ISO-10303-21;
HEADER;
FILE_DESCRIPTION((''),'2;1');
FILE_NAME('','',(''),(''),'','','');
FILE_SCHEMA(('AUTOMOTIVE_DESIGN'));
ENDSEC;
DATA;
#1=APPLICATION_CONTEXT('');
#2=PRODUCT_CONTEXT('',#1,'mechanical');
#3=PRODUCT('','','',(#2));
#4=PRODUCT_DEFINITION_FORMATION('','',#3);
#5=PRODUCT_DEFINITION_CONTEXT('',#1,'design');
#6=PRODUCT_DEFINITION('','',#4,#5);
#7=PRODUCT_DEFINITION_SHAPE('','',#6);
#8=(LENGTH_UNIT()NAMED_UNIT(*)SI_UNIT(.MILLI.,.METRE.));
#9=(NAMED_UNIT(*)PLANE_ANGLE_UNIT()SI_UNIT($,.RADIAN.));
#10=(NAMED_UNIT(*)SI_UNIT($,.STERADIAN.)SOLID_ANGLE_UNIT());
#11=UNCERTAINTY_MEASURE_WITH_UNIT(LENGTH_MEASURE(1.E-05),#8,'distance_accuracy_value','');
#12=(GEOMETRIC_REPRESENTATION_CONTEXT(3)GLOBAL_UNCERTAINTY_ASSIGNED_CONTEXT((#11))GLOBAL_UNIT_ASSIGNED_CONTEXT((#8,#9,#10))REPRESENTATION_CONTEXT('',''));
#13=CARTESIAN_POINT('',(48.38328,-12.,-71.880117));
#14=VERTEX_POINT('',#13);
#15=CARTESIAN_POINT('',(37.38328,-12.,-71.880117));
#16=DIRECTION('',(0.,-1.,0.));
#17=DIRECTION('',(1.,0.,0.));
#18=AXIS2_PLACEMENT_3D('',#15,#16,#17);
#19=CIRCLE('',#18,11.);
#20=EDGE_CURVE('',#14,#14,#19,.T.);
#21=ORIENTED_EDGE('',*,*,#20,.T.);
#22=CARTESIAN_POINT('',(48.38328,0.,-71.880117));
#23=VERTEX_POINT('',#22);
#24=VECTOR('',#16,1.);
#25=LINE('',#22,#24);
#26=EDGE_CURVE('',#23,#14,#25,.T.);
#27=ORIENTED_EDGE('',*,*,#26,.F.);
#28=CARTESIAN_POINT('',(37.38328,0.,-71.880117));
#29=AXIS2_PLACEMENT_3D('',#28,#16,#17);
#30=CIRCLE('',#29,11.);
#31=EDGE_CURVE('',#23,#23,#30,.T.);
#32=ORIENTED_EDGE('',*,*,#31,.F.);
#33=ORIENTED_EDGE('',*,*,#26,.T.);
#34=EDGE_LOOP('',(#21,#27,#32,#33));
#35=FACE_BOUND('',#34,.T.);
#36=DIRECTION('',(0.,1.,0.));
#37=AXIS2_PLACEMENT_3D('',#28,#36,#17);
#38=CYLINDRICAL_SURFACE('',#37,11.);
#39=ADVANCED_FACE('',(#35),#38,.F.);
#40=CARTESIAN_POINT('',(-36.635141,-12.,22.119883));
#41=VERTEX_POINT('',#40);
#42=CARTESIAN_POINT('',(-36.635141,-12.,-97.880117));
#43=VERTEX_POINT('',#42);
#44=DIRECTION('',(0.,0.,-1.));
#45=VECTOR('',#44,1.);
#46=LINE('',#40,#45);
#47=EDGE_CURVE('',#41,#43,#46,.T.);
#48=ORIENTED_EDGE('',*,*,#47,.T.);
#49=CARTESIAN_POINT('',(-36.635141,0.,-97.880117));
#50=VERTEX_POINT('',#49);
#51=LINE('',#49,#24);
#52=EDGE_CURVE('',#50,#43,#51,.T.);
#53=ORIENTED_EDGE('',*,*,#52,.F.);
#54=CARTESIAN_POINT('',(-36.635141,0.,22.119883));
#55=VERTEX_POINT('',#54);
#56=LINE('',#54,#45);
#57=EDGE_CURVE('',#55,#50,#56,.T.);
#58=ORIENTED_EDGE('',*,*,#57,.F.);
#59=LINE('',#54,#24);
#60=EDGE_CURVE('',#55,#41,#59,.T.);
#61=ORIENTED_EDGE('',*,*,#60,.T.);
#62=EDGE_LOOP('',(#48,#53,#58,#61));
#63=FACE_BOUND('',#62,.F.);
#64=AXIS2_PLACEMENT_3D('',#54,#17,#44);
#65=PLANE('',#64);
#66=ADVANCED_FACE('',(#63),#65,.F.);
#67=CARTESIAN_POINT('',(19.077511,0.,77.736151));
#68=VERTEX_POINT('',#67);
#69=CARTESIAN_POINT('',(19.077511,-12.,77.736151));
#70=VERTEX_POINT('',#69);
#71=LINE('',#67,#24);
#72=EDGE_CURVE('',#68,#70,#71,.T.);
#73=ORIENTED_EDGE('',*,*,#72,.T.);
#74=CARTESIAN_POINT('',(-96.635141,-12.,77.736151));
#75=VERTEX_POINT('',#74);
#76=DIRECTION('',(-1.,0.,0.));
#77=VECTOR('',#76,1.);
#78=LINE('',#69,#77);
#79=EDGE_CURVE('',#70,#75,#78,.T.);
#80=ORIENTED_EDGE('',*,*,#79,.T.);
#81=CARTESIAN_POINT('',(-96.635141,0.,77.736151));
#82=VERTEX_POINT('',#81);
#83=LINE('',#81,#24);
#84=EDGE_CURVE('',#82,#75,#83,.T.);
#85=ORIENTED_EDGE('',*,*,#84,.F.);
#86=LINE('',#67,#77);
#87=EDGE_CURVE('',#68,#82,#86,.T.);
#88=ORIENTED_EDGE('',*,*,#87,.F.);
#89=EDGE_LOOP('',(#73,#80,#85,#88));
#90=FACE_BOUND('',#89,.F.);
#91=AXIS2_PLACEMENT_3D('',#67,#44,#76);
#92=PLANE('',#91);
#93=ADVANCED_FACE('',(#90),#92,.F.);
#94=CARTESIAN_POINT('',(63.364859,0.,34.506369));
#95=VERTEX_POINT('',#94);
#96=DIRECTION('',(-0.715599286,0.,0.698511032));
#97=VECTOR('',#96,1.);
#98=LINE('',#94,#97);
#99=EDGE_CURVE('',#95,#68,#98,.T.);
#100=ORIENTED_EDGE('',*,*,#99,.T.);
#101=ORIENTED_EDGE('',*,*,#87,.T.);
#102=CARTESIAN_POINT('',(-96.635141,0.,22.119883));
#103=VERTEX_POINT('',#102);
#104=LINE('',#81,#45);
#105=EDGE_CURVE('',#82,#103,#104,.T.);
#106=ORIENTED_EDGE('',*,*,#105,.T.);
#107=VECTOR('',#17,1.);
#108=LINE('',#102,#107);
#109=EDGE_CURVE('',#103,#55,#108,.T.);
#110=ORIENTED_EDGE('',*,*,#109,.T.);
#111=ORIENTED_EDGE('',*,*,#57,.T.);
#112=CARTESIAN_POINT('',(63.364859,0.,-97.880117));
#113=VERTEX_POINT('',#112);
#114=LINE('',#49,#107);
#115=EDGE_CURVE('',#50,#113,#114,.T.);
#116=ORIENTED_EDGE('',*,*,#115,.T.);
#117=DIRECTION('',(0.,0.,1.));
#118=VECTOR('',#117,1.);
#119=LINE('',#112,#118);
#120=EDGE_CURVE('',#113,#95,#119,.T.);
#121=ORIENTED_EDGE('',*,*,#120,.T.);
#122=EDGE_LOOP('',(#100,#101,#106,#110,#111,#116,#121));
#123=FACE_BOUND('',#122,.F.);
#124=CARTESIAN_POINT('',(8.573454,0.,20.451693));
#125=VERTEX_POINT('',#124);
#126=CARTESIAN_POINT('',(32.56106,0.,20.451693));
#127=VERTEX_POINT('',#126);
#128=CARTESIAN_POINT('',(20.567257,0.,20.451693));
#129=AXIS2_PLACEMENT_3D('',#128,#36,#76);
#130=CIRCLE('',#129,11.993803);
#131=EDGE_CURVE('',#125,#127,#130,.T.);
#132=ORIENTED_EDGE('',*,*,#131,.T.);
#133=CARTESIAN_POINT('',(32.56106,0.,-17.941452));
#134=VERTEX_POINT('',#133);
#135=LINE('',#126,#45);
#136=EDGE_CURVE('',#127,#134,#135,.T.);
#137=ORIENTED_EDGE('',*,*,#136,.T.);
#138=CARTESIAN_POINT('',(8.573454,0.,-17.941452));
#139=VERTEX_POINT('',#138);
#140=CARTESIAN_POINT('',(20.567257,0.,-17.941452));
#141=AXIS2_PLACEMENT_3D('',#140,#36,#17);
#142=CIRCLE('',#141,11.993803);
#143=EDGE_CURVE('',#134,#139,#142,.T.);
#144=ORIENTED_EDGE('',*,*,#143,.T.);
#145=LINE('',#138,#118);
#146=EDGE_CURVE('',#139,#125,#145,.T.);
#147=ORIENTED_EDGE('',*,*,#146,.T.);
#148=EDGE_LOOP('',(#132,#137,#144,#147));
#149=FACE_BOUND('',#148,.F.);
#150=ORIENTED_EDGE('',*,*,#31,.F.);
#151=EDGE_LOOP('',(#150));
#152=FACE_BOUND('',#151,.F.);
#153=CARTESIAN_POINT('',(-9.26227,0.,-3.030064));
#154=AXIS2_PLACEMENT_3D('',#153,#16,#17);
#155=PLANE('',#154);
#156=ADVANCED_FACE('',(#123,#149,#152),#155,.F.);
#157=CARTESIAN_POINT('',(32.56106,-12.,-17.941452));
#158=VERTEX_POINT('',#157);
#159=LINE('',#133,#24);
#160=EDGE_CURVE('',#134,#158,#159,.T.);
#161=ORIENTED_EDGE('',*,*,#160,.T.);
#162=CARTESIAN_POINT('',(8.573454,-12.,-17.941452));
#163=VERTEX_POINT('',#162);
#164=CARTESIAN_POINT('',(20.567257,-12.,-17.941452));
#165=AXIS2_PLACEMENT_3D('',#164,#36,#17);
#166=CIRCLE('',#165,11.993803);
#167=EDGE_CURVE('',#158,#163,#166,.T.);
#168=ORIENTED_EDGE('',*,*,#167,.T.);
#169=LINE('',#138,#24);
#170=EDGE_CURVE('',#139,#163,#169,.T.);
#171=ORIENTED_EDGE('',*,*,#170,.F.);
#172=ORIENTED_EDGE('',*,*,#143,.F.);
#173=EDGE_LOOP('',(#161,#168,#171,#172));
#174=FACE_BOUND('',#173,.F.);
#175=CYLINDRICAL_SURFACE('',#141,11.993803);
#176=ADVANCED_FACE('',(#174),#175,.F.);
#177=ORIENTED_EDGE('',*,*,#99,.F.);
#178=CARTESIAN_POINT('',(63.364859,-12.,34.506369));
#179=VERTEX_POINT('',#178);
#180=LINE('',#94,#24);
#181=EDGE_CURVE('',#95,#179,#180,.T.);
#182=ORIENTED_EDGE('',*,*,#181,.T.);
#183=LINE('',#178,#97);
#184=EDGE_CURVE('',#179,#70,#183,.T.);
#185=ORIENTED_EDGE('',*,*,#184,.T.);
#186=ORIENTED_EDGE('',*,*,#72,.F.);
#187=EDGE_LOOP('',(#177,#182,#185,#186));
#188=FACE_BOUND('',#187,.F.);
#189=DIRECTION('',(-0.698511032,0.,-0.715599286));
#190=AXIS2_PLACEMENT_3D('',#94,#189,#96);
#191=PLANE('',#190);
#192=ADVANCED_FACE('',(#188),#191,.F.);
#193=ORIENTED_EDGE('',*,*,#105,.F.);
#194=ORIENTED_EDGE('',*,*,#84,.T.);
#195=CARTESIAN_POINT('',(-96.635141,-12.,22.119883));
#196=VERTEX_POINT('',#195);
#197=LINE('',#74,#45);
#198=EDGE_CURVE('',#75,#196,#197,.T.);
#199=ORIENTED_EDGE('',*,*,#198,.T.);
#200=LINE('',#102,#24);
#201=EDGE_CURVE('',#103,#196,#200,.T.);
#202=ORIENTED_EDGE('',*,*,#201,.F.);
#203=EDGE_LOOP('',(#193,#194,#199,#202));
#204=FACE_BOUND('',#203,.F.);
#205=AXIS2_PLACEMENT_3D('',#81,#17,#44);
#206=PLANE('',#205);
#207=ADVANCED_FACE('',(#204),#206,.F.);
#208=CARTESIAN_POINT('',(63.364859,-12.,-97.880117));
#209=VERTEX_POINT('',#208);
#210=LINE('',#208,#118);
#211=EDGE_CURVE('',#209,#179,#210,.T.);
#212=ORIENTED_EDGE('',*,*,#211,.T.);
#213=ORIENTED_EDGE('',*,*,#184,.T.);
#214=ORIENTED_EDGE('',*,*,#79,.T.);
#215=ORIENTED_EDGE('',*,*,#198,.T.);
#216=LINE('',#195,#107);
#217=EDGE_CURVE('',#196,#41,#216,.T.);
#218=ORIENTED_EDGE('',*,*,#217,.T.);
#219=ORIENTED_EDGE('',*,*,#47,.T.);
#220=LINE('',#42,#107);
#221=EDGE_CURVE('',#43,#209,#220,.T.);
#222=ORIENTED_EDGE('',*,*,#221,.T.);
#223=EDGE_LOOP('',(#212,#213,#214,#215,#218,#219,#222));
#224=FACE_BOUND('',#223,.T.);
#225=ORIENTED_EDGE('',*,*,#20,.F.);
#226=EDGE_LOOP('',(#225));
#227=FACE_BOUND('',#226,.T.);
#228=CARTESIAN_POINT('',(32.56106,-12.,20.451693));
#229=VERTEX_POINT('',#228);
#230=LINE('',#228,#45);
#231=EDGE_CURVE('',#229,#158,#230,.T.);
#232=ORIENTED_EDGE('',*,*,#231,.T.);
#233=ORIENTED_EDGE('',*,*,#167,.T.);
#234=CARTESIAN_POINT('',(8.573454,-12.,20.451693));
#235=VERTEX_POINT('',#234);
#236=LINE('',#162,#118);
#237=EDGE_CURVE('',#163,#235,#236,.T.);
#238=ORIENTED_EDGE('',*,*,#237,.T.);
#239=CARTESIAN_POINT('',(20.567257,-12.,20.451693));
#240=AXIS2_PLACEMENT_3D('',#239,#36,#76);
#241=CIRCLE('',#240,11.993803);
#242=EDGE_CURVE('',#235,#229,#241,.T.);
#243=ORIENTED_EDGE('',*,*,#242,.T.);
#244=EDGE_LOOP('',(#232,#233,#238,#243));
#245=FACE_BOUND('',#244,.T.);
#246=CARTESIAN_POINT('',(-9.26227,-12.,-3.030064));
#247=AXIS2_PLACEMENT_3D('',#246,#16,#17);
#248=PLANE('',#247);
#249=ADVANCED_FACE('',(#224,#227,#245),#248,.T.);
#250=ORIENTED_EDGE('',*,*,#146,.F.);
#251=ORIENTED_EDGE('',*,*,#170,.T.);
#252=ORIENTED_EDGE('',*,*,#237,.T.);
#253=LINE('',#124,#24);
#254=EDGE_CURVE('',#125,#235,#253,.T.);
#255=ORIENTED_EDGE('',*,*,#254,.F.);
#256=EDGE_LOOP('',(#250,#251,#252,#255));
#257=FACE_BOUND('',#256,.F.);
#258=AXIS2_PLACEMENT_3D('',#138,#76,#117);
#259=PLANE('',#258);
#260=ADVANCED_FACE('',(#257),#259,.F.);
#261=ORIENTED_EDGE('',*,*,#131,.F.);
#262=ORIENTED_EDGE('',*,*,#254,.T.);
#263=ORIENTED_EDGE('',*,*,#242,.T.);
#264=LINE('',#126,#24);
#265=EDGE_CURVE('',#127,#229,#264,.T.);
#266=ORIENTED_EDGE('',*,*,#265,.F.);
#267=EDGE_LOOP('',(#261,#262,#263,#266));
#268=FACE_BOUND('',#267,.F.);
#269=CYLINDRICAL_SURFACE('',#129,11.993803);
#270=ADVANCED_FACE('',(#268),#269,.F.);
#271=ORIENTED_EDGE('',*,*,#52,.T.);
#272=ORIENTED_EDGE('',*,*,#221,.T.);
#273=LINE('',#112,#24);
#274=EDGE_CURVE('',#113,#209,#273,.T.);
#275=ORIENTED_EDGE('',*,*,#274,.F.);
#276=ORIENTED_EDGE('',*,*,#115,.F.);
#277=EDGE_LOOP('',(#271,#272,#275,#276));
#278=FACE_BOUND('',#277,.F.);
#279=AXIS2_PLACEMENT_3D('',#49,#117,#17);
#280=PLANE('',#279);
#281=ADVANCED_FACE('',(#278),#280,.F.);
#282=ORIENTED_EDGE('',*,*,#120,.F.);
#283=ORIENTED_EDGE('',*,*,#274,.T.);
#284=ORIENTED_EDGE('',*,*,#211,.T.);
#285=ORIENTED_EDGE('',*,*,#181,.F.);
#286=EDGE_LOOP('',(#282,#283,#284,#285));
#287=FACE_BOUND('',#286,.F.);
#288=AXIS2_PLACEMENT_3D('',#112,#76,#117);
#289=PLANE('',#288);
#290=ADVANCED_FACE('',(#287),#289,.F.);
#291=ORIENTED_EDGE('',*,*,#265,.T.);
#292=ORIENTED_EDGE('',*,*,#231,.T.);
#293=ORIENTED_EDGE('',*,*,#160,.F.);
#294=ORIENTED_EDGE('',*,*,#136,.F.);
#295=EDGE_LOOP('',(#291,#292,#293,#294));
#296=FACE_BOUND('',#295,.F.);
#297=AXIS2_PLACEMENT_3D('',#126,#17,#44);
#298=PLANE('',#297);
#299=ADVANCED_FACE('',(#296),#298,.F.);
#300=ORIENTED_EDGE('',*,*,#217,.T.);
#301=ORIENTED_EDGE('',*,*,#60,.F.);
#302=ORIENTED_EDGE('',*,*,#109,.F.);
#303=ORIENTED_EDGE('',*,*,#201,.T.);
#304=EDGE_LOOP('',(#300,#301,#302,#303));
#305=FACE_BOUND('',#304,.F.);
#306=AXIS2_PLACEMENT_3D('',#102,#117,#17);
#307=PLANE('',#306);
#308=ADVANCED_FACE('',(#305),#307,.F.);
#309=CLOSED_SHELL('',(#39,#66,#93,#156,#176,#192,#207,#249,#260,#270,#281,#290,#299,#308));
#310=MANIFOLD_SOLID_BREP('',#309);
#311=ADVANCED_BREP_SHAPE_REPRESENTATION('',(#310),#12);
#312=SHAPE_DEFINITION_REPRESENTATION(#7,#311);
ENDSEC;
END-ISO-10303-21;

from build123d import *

# Parameters (mm, degrees)
F0_R     = 11
F1_DEPTH = 12


with BuildPart() as f1:
    # F0 (on Front) → F1 (new body)
    with BuildSketch(Plane.XZ):
        Polygon((63.364859, 34.506369), (19.077511, 77.736151), (-96.635141, 77.736151), (-96.635141, 22.119883), (-36.635141, 22.119883), (-36.635141, -97.880117), (63.364859, -97.880117), align=None)
        with Locations((37.38328, -71.880117)):
            Circle(F0_R, mode=Mode.SUBTRACT)
        with BuildLine():
            ThreePointArc((8.573454, 20.451693), (20.567257, 32.445496), (32.56106, 20.451693))
            Line((32.56106, 20.451693), (32.56106, -17.941452))
            ThreePointArc((32.56106, -17.941452), (20.567257, -29.935255), (8.573454, -17.941452))
            Line((8.573454, -17.941452), (8.573454, 20.451693))
        make_face(mode=Mode.SUBTRACT)
    extrude(amount=F1_DEPTH)


solid = f1.part
